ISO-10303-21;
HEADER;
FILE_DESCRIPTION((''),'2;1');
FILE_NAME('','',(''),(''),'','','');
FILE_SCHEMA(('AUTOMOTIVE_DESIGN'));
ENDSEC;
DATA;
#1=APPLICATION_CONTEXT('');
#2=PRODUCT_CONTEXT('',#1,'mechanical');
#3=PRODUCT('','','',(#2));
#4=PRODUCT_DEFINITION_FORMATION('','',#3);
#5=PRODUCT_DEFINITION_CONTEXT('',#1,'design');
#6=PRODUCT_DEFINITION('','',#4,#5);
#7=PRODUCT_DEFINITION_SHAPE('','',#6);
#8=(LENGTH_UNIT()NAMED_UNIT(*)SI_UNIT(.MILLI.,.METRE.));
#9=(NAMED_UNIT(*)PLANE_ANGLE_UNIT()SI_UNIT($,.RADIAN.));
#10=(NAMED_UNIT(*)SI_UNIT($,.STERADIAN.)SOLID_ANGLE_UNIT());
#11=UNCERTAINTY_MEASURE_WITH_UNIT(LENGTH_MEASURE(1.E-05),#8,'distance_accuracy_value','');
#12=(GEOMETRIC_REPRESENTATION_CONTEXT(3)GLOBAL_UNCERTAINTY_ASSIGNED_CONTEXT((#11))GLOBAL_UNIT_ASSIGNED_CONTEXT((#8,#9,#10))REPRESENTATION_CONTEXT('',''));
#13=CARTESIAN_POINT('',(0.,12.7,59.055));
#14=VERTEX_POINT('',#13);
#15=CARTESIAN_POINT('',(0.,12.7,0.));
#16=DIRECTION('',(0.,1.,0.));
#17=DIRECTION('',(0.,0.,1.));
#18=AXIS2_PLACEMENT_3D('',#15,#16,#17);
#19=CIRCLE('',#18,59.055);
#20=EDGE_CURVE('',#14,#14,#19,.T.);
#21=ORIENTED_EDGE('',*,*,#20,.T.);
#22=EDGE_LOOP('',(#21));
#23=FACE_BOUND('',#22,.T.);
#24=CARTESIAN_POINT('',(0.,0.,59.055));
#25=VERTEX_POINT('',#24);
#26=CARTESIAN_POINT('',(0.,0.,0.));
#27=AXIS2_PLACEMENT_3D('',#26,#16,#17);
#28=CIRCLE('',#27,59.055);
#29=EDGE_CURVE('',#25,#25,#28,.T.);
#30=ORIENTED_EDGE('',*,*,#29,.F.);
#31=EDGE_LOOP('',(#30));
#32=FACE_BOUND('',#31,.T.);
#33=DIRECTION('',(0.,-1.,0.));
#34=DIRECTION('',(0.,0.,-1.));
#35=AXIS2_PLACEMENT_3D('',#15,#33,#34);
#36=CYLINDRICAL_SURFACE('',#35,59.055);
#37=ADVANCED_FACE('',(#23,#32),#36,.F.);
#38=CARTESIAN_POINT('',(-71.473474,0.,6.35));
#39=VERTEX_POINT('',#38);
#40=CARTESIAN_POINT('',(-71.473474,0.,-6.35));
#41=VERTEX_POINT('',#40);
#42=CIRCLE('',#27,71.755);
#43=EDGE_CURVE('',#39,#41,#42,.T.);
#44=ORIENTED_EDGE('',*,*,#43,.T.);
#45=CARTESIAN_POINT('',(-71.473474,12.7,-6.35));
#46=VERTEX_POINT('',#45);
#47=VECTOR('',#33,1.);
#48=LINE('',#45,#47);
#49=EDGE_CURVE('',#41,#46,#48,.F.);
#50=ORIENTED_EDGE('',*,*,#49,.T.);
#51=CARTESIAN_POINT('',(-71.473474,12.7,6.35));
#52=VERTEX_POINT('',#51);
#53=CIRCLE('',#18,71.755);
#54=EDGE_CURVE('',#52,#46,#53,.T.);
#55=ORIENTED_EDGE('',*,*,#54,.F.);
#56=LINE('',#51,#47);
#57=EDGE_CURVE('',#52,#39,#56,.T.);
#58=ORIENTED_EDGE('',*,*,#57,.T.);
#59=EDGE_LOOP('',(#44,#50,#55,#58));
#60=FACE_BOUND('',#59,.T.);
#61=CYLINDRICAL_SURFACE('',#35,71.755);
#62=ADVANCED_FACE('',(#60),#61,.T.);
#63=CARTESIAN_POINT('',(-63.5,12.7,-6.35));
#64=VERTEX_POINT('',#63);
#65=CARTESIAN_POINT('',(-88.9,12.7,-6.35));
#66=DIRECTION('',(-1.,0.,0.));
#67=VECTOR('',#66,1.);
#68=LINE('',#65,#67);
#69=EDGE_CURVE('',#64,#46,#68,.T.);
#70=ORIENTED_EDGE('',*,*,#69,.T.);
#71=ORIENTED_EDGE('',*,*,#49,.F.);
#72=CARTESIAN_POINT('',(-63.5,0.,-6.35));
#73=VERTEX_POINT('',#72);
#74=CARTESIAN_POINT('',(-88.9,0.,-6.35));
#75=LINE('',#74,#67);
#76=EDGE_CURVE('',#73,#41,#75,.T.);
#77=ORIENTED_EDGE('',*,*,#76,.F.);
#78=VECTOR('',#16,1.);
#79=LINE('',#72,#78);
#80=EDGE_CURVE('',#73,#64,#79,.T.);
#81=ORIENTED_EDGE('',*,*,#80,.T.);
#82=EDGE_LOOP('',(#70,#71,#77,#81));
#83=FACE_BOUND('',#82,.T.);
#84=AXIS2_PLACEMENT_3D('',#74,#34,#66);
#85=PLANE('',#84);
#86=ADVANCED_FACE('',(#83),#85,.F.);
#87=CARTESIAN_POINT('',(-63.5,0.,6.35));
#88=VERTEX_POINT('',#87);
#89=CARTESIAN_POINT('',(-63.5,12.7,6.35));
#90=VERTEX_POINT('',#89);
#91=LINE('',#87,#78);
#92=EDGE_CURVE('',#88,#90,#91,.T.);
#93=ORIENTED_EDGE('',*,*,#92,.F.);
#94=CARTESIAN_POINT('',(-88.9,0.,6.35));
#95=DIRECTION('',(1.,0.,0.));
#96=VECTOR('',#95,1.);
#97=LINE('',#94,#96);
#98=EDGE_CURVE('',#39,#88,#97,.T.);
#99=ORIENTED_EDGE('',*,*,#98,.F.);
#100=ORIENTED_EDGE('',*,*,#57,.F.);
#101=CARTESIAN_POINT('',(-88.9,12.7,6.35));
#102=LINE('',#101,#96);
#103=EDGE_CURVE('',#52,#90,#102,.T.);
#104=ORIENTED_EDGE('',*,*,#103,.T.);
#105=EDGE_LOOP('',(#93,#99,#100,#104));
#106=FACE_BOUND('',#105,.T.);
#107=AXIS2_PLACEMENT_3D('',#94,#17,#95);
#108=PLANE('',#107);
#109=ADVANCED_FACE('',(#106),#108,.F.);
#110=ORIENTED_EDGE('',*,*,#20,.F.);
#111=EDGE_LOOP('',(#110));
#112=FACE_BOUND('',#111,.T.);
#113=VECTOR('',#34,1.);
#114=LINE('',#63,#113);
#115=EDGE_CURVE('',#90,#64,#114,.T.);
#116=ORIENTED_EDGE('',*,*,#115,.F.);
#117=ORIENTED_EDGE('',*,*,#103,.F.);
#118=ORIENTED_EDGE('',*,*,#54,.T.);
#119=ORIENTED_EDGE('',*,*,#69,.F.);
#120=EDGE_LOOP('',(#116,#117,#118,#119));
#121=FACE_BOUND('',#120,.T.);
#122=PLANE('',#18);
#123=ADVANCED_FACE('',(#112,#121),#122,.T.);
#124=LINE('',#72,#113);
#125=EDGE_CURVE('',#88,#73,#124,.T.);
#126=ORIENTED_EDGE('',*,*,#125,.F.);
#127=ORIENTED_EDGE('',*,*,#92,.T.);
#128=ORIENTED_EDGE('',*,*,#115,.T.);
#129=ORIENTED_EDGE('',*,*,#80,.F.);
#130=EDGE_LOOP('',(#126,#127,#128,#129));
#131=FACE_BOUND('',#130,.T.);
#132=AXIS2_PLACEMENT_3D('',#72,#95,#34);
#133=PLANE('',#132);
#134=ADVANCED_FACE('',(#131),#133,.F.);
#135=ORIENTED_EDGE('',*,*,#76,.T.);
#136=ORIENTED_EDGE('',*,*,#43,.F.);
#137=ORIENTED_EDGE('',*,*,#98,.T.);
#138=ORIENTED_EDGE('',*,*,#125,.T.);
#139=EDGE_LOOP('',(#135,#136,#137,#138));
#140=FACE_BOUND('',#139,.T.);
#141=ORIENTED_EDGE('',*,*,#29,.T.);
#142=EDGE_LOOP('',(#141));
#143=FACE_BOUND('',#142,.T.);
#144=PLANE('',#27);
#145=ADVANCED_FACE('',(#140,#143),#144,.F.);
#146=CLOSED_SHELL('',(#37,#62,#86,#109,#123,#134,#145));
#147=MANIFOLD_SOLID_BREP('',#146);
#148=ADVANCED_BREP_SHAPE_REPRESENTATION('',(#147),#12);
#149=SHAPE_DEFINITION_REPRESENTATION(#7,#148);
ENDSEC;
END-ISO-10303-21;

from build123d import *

# Parameters (mm, degrees)
SKETCH1_R           = 71.755
SKETCH1_R_2         = 59.055
BOSS_EXTRUDE1_DEPTH = 12.7
SKETCH2_W           = 25.4
SKETCH2_H           = 12.7
CUT_EXTRUDE1_DEPTH  = 103.26851935


with BuildPart() as part:
    # Sketch1 → Boss-Extrude1 (new body)
    with BuildSketch(Plane(origin=(0, 0, 0), x_dir=(1, 0, 0), z_dir=(0, 1, 0))):
        with Locations(Location((0, 0, 0), (0, 0, 270))):
            Circle(SKETCH1_R)
        with Locations(Location((0, 0, 0), (0, 0, 270))):
            Circle(SKETCH1_R_2, mode=Mode.SUBTRACT)
    extrude(amount=BOSS_EXTRUDE1_DEPTH)

    # Sketch2 → Cut-Extrude1 (cut, through all)
    with BuildSketch(Plane(origin=(0, 12.7, 0), x_dir=(1, 0, 0), z_dir=(0, 1, 0))):
        with Locations((-76.2, 0)):
            Rectangle(SKETCH2_W, SKETCH2_H)
    extrude(amount=-CUT_EXTRUDE1_DEPTH, mode=Mode.SUBTRACT)


solid = part.part
